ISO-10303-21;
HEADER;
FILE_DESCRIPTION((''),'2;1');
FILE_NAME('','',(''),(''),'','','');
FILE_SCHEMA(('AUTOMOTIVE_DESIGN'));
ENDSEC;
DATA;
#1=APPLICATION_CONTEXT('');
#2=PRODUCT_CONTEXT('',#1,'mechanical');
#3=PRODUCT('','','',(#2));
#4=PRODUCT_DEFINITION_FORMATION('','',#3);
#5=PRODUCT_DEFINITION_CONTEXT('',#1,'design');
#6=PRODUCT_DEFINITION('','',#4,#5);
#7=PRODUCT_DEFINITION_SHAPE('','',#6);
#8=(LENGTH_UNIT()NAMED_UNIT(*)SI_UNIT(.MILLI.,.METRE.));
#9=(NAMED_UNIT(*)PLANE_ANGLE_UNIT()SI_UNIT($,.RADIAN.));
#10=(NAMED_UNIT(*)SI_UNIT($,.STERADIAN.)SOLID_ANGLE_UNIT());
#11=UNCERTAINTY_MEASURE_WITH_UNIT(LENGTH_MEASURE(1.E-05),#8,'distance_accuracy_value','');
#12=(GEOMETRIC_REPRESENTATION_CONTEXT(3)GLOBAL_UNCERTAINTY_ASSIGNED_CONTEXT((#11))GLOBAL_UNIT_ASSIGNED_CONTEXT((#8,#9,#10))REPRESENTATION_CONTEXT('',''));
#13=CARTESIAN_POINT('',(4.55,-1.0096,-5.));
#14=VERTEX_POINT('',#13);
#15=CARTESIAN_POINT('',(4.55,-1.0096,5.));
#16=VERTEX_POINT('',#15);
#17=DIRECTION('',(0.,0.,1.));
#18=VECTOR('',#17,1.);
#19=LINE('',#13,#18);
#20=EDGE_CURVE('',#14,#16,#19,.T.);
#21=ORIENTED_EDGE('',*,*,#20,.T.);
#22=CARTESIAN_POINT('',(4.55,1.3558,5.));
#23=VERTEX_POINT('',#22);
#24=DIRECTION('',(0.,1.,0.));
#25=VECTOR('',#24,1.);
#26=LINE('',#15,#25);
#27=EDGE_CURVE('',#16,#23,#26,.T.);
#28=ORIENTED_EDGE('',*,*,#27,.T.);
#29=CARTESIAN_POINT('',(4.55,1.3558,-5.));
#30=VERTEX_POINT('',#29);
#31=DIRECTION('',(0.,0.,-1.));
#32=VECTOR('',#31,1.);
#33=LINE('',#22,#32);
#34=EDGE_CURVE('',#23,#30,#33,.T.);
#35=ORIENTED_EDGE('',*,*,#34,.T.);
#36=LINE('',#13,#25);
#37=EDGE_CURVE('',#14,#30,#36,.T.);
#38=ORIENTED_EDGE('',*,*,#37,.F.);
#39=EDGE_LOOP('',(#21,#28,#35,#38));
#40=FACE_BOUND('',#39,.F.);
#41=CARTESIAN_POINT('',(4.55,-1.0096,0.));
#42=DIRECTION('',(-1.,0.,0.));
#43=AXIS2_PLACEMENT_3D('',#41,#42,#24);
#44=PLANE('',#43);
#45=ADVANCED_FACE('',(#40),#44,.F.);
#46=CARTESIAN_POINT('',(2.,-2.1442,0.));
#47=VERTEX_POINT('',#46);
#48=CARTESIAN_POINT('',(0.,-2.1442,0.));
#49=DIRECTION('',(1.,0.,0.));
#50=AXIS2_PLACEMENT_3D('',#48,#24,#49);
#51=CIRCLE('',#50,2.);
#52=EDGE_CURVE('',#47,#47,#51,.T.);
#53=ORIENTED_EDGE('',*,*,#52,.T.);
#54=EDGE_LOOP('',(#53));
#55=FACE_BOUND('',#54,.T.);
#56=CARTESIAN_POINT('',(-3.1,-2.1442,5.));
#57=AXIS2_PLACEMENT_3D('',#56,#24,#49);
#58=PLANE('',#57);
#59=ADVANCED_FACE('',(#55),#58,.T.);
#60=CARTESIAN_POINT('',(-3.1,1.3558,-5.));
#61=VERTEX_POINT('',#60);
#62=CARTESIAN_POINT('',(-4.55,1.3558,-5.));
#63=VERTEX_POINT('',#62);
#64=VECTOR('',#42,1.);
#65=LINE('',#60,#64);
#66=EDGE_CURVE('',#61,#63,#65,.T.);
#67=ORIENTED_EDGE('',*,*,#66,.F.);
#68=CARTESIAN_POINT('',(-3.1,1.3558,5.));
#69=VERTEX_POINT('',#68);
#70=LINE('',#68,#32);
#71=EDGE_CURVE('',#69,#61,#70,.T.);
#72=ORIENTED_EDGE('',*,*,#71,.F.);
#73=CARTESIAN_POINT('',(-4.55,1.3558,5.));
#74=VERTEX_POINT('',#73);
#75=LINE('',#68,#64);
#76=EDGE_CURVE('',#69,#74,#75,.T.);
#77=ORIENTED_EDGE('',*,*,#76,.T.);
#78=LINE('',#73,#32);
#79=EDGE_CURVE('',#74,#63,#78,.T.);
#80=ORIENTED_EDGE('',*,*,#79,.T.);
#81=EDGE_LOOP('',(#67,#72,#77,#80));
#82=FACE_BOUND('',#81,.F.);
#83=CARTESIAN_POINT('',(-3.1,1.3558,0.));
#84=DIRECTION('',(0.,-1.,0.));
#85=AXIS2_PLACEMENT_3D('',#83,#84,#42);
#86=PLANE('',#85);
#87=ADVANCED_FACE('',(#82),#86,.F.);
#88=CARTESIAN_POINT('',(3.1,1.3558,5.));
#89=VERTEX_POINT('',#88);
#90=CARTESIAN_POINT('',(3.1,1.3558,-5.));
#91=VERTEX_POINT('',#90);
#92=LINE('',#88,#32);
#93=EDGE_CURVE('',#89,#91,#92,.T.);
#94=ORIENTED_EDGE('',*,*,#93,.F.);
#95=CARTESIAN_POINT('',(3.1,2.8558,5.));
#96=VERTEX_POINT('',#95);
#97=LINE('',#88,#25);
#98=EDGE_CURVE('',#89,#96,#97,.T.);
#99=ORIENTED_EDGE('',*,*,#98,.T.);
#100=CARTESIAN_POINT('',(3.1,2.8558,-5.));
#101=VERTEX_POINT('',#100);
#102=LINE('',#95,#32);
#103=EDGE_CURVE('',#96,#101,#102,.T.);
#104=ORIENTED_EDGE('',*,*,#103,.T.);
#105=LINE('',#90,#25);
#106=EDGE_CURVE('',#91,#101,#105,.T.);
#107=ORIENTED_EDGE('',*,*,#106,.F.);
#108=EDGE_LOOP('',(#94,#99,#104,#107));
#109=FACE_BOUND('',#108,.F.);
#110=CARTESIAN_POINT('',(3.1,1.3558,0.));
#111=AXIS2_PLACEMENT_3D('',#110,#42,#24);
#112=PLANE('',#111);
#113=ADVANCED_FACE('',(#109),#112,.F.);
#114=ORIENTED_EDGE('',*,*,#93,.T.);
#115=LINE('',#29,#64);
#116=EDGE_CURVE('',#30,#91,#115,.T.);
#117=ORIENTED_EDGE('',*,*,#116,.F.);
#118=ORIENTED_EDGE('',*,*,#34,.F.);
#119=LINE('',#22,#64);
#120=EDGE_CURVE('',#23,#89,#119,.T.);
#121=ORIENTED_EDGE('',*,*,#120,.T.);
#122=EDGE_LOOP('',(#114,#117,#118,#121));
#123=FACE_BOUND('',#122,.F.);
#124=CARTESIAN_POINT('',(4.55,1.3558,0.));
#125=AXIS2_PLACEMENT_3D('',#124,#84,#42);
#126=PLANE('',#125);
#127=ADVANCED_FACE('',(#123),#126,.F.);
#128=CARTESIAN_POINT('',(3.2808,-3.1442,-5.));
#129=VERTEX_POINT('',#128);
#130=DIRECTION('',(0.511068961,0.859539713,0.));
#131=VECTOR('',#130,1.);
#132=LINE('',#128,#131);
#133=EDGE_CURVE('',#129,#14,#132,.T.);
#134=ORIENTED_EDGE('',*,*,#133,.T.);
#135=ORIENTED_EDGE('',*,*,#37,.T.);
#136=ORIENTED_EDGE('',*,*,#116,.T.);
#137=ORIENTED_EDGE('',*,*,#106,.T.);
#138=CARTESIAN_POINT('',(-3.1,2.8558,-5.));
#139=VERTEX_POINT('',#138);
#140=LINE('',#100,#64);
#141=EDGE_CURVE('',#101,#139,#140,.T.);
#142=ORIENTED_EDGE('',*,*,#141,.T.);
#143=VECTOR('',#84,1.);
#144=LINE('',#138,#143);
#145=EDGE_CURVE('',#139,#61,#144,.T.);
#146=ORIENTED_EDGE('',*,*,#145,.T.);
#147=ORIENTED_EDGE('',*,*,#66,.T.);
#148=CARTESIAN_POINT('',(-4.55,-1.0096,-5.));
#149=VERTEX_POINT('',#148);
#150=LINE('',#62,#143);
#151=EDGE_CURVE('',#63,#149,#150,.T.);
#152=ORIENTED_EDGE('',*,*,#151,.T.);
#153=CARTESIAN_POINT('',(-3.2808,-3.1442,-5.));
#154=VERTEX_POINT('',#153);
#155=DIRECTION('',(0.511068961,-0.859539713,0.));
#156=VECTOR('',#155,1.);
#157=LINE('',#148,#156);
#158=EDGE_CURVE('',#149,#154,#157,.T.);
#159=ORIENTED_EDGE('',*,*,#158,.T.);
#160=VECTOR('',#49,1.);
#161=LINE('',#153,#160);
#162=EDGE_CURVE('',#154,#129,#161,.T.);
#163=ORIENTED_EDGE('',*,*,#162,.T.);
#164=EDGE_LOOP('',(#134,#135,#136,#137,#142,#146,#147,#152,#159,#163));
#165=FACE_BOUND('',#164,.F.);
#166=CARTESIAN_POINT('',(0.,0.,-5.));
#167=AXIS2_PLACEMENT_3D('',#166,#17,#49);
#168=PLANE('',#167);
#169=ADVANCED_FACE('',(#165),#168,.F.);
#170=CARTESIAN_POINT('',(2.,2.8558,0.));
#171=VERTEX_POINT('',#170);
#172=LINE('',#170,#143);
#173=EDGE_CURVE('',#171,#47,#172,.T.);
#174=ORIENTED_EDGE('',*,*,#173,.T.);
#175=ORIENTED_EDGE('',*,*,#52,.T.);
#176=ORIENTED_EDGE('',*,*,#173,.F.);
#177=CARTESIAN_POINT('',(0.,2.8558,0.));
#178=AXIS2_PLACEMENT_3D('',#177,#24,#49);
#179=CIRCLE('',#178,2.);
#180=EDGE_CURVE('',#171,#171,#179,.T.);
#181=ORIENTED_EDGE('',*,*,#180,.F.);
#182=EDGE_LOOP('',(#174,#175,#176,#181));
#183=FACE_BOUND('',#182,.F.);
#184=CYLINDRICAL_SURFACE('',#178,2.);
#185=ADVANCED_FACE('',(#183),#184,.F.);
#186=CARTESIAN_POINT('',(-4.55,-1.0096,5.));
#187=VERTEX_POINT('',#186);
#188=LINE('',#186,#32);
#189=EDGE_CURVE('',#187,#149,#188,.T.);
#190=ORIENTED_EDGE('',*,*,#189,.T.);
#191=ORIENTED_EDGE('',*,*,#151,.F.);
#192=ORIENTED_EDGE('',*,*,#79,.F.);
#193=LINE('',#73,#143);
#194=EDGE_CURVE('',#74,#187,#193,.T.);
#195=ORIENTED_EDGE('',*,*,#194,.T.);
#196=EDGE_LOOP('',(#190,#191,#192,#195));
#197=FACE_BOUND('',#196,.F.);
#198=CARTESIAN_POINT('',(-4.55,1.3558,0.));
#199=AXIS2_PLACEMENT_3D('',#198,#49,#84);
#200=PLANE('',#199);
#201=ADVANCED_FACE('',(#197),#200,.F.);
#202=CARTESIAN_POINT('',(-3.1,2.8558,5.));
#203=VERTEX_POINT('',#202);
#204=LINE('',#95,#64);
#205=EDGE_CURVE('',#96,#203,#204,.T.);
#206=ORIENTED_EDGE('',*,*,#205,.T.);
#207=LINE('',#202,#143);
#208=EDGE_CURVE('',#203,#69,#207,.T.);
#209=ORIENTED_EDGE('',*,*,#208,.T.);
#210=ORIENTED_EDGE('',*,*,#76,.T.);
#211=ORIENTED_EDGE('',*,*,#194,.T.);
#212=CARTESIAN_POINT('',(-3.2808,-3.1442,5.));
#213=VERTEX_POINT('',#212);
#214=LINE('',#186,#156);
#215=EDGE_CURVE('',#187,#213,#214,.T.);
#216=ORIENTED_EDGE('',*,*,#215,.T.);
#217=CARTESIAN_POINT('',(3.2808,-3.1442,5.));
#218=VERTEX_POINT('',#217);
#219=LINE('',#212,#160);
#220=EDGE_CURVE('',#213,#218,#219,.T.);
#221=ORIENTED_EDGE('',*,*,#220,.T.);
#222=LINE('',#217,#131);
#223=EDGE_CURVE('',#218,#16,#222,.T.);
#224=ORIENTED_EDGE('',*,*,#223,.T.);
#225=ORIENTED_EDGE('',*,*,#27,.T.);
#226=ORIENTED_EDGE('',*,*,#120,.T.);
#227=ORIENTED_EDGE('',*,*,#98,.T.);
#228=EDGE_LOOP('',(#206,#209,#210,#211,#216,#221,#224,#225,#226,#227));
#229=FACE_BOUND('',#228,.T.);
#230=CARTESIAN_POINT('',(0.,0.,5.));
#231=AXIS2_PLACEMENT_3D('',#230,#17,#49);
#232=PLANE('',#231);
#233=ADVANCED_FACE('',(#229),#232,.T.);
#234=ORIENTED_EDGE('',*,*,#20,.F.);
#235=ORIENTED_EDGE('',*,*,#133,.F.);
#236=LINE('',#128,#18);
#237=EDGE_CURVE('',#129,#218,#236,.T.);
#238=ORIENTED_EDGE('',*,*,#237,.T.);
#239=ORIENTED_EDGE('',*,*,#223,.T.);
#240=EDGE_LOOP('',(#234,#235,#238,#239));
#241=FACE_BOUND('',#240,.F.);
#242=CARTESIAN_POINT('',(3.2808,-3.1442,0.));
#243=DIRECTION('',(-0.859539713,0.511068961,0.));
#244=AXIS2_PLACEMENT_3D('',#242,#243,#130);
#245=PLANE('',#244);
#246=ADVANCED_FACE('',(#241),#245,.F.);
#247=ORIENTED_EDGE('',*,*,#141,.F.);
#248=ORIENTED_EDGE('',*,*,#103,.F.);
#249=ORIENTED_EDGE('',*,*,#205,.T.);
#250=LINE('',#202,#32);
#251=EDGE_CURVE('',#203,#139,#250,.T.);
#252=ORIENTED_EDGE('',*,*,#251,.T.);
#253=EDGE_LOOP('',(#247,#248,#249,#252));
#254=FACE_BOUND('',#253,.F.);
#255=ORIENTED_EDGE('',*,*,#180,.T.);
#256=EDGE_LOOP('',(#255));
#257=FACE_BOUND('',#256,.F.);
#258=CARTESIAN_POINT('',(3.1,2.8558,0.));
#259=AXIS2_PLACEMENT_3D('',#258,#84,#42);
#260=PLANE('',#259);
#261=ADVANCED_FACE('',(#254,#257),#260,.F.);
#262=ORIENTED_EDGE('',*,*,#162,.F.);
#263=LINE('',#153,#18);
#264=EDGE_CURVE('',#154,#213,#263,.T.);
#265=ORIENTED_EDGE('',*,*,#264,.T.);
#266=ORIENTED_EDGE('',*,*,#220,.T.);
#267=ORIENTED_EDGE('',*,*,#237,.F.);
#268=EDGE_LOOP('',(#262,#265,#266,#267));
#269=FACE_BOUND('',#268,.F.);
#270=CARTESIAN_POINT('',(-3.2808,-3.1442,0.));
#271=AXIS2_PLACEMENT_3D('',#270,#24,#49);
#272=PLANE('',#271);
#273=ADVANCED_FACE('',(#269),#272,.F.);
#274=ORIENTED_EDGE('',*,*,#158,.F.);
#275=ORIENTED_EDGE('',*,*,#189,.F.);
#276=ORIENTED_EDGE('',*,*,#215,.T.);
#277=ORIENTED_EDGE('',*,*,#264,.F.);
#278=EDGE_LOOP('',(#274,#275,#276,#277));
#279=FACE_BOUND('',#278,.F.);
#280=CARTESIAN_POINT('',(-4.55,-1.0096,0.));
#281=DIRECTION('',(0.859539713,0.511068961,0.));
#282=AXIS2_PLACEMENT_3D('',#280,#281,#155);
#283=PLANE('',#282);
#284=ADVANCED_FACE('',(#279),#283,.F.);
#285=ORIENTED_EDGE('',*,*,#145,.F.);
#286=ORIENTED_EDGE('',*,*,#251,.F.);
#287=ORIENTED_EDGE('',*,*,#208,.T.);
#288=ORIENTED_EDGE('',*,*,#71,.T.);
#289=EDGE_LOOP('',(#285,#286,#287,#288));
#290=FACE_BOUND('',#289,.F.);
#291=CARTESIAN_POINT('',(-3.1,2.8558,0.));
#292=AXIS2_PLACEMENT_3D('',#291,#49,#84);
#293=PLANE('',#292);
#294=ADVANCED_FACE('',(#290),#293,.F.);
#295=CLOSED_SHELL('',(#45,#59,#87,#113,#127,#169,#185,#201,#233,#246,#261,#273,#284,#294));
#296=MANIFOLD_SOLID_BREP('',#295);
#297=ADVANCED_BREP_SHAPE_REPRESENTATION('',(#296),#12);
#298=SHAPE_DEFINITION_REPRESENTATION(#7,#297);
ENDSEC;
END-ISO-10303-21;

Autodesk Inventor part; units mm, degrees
ref_plane "YZ Plane" through (0, 0, 0) normal (1, 0, 0) x (0, 1, 0)
ref_plane "XZ Plane" through (0, 0, 0) normal (0, 1, 0) x (-1, 0, 0)
ref_plane "XY Plane" through (0, 0, 0) normal (0, 0, 1) x (1, 0, 0)
sketch "Sketch1" plane through (0, 0, 0) normal (0, 0, 1) x (1, 0, 0)
  line L0 (-3.2808, -3.1442) -> (3.2808, -3.1442)
  line L1 (3.2808, -3.1442) -> (4.55, -1.0096)
  line L2 (4.55, -1.0096) -> (4.55, 1.3558)
  line L3 (4.55, 1.3558) -> (3.1, 1.3558)
  line L4 (3.1, 1.3558) -> (3.1, 2.8558)
  line L5 (3.1, 2.8558) -> (-3.1, 2.8558)
  line L6 (-3.1, 2.8558) -> (-3.1, 1.3558)
  line L7 (-3.1, 1.3558) -> (-4.55, 1.3558)
  line L8 (-4.55, 1.3558) -> (-4.55, -1.0096)
  line L9 (-4.55, -1.0096) -> (-3.2808, -3.1442)
  line L10 (0, -4.906) -> (0, 6.6764) construction
  line L11 (-3.1, 1.3558) -> (3.1, 1.3558) construction
  point P0 (0, 0)
  point P1 (0, 2.8558)
  point P2 (0, -3.1442)
  dimension "d0" = 6
  dimension "d1" = 4.5
  dimension "d2" = 6.2
  dimension "d3" = 9.1
extrude "Extrusion1" add sketch "Sketch1" along normal mid plane 10
sketch "Sketch2" plane through (-3.1, 2.8558, 5) normal (0, 1, 0) x (1, 0, 0)
  circle A0 centre (3.1, 5) radius 2
  dimension "d6" = 4
extrude "Extrusion2" cut sketch "Sketch2" against normal blind 5
properties part number "20x20_nut" material "Steel, Wrought"
